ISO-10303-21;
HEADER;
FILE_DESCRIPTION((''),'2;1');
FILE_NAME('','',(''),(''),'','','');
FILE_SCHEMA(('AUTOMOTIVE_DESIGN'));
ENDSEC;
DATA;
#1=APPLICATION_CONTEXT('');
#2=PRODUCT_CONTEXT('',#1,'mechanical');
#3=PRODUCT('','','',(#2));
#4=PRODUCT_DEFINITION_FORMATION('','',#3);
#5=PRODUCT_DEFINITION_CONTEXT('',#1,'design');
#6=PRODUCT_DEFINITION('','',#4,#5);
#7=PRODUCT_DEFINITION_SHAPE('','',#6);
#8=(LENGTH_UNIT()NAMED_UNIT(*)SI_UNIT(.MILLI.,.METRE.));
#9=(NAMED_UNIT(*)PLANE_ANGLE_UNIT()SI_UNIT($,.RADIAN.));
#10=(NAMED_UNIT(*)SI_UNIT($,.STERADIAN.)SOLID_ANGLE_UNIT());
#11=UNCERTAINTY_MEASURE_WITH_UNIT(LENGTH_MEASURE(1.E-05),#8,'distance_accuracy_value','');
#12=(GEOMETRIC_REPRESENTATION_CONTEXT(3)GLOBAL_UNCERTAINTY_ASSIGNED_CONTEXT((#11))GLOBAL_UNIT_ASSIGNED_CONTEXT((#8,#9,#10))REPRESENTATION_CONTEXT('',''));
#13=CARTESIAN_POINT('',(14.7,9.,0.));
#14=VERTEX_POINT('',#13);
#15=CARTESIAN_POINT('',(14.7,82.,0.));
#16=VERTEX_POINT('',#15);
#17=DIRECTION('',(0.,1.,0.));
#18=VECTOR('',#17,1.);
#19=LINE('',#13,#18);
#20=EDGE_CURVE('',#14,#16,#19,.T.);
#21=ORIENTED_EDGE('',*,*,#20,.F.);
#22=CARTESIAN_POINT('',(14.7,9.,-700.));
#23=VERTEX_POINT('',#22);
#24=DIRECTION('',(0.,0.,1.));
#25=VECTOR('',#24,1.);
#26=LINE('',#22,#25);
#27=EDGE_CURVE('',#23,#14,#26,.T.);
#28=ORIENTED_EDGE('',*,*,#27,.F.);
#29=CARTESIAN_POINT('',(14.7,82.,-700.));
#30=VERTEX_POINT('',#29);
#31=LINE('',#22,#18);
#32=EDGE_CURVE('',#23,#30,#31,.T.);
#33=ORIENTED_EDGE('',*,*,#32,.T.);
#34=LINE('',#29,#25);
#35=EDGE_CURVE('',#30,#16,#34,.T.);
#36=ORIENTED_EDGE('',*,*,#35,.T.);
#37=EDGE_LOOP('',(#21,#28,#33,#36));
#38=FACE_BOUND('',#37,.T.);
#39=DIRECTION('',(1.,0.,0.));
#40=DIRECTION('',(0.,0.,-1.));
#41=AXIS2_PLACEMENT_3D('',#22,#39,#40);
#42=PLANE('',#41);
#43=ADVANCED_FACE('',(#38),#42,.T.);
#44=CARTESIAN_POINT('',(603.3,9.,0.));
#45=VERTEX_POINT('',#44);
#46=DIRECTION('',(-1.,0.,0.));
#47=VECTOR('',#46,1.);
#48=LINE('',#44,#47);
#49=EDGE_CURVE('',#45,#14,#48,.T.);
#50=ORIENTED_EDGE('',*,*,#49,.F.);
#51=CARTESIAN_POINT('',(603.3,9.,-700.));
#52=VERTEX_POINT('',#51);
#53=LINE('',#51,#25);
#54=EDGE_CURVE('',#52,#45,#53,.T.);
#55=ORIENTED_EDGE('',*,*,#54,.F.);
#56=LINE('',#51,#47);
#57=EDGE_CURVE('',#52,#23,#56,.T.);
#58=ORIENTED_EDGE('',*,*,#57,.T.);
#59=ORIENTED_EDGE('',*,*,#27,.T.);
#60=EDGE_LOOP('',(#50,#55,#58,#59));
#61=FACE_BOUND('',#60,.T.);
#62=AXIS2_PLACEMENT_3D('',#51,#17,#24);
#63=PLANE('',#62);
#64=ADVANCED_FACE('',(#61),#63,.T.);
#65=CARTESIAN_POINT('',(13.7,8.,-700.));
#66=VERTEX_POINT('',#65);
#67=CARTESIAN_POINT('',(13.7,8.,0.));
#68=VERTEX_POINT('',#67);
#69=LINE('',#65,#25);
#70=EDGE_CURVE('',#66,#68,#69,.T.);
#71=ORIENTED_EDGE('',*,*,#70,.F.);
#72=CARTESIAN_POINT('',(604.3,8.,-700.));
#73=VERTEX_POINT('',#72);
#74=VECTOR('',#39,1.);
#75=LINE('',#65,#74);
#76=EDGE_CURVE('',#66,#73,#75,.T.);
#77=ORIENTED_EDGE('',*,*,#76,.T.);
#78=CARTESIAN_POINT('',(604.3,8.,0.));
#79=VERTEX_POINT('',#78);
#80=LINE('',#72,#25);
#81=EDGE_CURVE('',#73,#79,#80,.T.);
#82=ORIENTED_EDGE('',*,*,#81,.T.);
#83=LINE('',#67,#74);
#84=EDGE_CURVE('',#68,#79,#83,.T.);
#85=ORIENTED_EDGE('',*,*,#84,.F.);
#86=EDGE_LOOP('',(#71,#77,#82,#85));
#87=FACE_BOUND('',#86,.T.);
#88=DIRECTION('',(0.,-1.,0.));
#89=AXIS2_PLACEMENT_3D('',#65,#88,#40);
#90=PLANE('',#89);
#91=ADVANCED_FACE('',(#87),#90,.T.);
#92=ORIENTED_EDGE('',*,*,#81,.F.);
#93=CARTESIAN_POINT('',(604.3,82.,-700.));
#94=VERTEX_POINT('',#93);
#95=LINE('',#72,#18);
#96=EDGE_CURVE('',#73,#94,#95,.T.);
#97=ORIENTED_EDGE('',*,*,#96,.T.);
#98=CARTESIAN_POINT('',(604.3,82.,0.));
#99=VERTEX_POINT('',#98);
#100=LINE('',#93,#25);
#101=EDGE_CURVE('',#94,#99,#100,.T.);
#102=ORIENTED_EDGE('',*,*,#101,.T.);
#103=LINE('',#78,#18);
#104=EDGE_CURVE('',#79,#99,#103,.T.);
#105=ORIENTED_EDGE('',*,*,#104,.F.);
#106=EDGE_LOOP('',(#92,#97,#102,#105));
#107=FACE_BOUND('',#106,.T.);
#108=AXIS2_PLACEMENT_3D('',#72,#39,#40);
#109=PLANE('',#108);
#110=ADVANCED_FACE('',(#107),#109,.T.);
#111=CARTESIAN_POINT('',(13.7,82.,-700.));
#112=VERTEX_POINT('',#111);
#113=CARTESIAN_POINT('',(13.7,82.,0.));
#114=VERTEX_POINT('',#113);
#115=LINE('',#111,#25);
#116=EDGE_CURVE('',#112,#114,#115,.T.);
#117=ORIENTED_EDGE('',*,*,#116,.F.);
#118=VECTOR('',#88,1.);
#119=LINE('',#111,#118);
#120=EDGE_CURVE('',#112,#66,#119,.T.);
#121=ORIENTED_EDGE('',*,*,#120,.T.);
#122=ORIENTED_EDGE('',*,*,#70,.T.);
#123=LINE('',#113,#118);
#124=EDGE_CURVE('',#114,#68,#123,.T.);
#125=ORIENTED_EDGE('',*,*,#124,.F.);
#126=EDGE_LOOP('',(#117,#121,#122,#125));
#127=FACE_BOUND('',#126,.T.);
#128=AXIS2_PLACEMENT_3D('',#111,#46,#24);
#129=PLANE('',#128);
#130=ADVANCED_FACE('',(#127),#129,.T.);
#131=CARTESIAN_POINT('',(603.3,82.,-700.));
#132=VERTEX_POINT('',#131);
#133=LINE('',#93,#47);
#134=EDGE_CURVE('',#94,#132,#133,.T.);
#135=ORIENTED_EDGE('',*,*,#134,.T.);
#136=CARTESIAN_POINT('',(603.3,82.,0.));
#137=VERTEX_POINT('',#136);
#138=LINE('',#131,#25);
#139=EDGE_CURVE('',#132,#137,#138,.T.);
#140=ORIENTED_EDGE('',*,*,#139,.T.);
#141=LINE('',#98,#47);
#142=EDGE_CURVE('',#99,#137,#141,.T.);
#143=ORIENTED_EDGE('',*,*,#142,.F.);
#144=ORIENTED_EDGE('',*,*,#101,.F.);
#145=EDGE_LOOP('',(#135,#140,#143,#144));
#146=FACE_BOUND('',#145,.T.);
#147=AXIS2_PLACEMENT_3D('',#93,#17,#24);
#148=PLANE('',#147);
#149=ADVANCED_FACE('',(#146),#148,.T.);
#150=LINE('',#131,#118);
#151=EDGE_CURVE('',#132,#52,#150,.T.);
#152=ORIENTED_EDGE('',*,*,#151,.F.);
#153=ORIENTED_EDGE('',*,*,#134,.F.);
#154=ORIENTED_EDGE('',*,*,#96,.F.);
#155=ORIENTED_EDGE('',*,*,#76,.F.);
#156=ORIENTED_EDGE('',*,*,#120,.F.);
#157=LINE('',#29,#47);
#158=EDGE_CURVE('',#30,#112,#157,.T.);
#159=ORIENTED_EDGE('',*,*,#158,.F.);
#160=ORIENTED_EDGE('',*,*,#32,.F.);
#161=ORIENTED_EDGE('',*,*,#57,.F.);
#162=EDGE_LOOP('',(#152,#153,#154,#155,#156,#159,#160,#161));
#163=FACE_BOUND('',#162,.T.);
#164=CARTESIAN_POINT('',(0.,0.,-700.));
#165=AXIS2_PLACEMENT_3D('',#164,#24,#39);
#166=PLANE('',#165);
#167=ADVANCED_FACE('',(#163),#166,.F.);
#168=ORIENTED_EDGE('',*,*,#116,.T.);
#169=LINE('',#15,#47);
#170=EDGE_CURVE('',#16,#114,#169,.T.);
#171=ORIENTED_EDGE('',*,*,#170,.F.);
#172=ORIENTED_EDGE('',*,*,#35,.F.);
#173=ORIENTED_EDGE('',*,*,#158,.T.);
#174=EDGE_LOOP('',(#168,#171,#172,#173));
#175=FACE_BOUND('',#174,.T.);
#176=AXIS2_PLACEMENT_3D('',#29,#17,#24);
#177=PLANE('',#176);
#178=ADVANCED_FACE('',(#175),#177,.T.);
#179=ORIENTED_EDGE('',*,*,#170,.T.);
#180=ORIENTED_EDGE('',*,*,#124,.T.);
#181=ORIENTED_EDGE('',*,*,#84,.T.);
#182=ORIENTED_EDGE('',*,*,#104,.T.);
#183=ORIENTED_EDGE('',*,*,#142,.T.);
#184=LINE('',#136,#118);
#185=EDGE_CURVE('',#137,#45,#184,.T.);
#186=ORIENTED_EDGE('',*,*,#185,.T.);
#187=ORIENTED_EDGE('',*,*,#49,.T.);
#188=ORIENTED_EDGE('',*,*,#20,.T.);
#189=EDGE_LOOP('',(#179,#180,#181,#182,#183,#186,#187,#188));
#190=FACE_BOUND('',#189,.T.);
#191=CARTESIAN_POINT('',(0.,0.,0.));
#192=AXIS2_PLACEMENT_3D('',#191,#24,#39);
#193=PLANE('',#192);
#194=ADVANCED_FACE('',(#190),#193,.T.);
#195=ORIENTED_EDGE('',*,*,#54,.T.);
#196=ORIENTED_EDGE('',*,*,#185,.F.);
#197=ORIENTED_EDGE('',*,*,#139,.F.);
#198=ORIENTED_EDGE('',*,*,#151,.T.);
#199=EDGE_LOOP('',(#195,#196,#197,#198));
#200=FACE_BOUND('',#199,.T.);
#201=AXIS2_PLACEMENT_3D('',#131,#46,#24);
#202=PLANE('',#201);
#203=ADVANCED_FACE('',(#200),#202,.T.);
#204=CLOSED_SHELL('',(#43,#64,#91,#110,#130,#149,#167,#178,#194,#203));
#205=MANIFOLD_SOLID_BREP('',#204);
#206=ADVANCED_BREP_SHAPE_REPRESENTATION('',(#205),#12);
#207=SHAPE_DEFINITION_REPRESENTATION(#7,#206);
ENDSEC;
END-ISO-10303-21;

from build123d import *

# Parameters (mm, degrees)
CEK_DONMUS_KUTU_U_1_0_1_DEPTH = 700


with BuildPart() as part:
    # Sketch1 → CEK_donmus_kutu_U_1.0_1 (new body)
    with BuildSketch(Plane.XY):
        Polygon((13.7, 82), (13.7, 8), (604.3, 8), (604.3, 82), (603.3, 82), (603.3, 9), (14.7, 9), (14.7, 82), align=None)
    extrude(amount=-CEK_DONMUS_KUTU_U_1_0_1_DEPTH)


solid = part.part
